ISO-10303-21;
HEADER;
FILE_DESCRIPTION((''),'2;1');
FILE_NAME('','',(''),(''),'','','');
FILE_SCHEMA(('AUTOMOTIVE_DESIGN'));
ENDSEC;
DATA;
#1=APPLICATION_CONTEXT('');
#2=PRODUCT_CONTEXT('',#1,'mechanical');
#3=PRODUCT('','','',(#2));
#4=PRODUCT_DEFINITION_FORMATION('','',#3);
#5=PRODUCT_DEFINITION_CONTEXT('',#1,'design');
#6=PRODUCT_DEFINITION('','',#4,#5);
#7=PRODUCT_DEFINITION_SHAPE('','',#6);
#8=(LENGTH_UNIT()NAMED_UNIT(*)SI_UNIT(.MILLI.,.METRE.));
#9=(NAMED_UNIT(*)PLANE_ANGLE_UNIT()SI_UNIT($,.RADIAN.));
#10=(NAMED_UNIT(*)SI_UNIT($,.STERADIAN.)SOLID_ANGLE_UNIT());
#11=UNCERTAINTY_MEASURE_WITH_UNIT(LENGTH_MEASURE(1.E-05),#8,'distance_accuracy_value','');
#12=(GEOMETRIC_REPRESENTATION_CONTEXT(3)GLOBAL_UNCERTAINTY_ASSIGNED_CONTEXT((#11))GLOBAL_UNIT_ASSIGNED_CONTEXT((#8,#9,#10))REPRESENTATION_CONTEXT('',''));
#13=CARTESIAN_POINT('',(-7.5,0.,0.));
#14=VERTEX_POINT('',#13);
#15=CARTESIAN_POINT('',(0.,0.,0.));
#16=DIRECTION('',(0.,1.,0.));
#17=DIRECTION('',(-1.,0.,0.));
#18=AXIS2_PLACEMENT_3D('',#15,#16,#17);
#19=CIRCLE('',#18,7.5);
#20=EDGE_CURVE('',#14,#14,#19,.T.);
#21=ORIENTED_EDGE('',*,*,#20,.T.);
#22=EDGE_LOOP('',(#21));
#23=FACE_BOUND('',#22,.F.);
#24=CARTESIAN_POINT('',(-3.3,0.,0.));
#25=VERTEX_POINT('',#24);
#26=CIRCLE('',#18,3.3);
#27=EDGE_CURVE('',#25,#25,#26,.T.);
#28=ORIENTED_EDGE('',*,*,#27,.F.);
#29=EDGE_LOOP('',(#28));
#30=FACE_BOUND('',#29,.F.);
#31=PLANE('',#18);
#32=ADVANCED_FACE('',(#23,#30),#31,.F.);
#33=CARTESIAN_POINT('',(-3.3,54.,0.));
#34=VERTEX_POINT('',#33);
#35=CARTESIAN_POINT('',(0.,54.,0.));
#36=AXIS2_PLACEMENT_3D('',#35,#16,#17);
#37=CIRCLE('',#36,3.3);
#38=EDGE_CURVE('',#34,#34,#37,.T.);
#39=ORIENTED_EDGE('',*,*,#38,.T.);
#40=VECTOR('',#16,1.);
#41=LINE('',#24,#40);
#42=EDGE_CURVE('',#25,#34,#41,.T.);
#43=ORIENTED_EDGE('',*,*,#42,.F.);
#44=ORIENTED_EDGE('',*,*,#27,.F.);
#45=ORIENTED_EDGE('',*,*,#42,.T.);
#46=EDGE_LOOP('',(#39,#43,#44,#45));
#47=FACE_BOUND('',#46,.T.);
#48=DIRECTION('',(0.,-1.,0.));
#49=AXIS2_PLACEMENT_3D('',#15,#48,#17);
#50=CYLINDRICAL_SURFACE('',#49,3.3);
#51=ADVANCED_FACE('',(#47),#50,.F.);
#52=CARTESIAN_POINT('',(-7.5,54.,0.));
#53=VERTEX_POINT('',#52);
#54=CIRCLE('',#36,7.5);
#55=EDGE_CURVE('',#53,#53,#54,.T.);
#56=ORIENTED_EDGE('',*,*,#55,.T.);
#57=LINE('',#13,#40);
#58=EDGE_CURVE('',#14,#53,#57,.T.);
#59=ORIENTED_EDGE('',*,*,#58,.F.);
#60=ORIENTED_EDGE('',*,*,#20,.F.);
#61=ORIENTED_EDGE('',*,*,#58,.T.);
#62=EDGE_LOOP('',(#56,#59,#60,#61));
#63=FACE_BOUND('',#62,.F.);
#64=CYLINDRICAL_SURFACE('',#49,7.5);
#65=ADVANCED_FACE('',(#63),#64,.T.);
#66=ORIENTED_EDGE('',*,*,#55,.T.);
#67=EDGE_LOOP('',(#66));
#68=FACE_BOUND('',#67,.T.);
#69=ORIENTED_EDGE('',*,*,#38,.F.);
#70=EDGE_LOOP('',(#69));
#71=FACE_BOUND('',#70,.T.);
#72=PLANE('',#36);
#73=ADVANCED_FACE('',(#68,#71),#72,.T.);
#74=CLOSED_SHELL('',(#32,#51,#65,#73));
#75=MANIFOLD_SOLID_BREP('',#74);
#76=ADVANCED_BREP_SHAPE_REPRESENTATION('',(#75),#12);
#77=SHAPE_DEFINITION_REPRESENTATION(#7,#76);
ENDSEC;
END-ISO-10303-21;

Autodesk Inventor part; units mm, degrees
ref_plane "YZ Plane" through (0, 0, 0) normal (1, 0, 0) x (0, 1, 0)
ref_plane "XZ Plane" through (0, 0, 0) normal (0, 1, 0) x (-1, 0, 0)
ref_plane "XY Plane" through (0, 0, 0) normal (0, 0, 1) x (1, 0, 0)
sketch "スケッチ1" plane through (0, 0, 0) normal (0, 1, 0) x (-1, 0, 0)
  circle A0 centre (0, 0) radius 3.3
  circle A1 centre (0, 0) radius 7.5
  dimension "d0" = 6.6
  dimension "d1" = 15
extrude "押し出し1" add sketch "スケッチ1" along normal blind 54
properties part number "shoulder1_lower_plate_bolt_spcaer"
